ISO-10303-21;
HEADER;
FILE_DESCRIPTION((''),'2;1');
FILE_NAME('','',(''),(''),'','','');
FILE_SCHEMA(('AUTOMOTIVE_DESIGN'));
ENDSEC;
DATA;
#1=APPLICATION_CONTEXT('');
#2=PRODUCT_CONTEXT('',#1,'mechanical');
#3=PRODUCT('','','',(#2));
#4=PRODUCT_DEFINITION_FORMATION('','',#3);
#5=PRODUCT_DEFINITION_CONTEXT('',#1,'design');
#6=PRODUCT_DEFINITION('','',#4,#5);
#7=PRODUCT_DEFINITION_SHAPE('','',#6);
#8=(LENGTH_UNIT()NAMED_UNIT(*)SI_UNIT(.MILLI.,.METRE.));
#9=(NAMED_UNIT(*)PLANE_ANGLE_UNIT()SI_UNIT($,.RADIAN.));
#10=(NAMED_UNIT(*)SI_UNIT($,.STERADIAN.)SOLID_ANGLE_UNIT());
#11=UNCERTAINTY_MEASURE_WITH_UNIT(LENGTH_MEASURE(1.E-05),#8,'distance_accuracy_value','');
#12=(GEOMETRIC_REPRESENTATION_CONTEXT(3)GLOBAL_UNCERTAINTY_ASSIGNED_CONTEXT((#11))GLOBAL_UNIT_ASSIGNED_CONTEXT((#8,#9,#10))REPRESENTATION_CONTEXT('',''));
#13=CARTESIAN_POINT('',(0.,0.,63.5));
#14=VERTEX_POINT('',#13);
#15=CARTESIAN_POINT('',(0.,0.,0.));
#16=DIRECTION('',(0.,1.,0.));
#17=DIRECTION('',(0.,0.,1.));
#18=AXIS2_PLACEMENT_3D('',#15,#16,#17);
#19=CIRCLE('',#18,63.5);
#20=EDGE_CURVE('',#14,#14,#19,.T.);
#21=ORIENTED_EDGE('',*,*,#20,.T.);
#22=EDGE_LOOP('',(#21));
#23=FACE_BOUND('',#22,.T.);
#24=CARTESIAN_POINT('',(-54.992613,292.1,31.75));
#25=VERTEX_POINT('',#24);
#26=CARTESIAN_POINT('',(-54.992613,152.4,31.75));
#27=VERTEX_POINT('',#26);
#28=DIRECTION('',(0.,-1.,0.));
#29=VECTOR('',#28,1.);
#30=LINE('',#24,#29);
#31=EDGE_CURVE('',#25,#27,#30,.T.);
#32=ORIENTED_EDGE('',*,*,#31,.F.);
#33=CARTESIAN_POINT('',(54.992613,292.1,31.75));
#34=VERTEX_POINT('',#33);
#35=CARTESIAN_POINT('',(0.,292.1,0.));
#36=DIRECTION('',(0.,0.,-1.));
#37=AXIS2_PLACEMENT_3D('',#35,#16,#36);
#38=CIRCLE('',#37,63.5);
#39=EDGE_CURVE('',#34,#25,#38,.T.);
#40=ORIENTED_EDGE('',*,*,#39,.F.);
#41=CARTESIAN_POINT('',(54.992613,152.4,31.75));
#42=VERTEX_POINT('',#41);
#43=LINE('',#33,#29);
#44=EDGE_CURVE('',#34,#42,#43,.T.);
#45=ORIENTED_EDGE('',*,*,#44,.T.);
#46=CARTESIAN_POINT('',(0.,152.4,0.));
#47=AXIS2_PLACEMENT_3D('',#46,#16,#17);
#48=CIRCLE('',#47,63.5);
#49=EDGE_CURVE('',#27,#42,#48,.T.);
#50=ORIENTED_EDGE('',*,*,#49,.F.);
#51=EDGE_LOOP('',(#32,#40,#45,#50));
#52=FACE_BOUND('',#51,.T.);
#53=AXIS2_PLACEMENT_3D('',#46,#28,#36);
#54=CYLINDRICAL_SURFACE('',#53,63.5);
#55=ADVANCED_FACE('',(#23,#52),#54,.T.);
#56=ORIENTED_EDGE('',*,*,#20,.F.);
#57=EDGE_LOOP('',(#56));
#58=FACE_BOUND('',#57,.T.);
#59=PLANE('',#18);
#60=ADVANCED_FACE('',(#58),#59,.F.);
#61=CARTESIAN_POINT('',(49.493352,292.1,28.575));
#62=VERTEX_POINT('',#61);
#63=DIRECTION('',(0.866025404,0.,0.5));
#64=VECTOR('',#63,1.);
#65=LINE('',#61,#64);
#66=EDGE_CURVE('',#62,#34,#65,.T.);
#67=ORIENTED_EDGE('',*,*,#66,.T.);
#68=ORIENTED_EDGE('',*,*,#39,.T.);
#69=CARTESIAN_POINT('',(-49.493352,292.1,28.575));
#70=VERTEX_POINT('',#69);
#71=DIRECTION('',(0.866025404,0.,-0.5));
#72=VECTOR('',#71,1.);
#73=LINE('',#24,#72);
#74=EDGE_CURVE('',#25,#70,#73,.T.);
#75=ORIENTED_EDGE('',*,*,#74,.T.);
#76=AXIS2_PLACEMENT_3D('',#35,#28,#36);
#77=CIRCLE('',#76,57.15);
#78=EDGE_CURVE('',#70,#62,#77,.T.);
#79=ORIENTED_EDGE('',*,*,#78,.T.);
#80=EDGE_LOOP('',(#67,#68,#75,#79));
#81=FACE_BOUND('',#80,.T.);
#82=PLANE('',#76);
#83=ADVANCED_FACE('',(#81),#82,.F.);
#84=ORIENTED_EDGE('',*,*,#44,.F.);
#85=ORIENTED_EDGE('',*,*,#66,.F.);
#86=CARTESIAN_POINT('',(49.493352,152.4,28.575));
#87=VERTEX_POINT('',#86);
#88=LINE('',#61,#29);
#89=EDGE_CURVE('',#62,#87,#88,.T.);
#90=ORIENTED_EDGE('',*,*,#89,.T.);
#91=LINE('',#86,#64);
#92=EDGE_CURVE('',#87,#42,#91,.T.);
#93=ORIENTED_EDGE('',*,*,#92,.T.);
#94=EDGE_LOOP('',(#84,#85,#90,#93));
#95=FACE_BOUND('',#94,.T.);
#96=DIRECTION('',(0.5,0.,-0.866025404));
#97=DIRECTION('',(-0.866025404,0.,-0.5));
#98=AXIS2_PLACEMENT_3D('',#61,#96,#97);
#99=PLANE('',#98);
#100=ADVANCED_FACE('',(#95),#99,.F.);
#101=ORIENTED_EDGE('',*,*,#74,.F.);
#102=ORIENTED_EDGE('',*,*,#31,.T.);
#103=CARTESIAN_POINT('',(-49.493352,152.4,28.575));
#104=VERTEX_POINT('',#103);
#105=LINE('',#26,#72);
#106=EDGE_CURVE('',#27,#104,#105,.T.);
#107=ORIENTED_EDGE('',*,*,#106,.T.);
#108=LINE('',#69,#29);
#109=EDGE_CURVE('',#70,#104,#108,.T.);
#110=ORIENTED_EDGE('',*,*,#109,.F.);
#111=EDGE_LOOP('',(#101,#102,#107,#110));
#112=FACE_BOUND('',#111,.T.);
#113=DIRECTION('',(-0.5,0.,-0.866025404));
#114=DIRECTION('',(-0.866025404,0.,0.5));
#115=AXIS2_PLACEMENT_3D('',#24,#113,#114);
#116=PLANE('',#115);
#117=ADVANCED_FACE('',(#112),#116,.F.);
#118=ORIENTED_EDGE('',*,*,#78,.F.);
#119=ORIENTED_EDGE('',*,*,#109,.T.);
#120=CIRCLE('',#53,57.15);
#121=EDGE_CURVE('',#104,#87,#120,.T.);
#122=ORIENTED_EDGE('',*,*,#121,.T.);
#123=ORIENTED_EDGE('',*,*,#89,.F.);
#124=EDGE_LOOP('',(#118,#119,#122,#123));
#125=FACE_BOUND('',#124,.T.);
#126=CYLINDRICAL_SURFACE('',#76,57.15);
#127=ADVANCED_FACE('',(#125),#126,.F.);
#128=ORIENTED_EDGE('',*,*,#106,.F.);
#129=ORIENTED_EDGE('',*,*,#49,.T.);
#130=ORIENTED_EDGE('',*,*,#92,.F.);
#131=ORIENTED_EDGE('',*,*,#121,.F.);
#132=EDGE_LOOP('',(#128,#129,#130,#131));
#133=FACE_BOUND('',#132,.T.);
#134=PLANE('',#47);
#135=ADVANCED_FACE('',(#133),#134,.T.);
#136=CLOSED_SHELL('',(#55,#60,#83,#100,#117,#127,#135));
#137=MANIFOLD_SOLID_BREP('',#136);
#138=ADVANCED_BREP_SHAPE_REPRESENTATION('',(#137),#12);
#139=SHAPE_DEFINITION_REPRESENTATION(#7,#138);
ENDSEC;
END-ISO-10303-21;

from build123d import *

# Parameters (mm, degrees)
SKETCH1_R           = 63.5
BOSS_EXTRUDE1_DEPTH = 152.4
BOSS_EXTRUDE2_DEPTH = 139.7


with BuildPart() as part:
    # Sketch1 → Boss-Extrude1 (new body)
    with BuildSketch(Plane(origin=(0, 0, 0), x_dir=(1, 0, 0), z_dir=(0, 1, 0))):
        Circle(SKETCH1_R)
    extrude(amount=BOSS_EXTRUDE1_DEPTH)

    # Sketch3 → Boss-Extrude2 (add)
    with BuildSketch(Plane(origin=(0, 152.4, 0), x_dir=(1, 0, 0), z_dir=(0, 1, 0))):
        with BuildLine():
            Line((-54.99261314, -31.75), (-49.493351826, -28.575))
            ThreePointArc((-49.493351826, -28.575), (0, 57.15), (49.493351826, -28.575))
            Line((49.493351826, -28.575), (54.99261314, -31.75))
            ThreePointArc((54.99261314, -31.75), (0, 63.5), (-54.99261314, -31.75))
        make_face()
    extrude(amount=BOSS_EXTRUDE2_DEPTH)


solid = part.part
